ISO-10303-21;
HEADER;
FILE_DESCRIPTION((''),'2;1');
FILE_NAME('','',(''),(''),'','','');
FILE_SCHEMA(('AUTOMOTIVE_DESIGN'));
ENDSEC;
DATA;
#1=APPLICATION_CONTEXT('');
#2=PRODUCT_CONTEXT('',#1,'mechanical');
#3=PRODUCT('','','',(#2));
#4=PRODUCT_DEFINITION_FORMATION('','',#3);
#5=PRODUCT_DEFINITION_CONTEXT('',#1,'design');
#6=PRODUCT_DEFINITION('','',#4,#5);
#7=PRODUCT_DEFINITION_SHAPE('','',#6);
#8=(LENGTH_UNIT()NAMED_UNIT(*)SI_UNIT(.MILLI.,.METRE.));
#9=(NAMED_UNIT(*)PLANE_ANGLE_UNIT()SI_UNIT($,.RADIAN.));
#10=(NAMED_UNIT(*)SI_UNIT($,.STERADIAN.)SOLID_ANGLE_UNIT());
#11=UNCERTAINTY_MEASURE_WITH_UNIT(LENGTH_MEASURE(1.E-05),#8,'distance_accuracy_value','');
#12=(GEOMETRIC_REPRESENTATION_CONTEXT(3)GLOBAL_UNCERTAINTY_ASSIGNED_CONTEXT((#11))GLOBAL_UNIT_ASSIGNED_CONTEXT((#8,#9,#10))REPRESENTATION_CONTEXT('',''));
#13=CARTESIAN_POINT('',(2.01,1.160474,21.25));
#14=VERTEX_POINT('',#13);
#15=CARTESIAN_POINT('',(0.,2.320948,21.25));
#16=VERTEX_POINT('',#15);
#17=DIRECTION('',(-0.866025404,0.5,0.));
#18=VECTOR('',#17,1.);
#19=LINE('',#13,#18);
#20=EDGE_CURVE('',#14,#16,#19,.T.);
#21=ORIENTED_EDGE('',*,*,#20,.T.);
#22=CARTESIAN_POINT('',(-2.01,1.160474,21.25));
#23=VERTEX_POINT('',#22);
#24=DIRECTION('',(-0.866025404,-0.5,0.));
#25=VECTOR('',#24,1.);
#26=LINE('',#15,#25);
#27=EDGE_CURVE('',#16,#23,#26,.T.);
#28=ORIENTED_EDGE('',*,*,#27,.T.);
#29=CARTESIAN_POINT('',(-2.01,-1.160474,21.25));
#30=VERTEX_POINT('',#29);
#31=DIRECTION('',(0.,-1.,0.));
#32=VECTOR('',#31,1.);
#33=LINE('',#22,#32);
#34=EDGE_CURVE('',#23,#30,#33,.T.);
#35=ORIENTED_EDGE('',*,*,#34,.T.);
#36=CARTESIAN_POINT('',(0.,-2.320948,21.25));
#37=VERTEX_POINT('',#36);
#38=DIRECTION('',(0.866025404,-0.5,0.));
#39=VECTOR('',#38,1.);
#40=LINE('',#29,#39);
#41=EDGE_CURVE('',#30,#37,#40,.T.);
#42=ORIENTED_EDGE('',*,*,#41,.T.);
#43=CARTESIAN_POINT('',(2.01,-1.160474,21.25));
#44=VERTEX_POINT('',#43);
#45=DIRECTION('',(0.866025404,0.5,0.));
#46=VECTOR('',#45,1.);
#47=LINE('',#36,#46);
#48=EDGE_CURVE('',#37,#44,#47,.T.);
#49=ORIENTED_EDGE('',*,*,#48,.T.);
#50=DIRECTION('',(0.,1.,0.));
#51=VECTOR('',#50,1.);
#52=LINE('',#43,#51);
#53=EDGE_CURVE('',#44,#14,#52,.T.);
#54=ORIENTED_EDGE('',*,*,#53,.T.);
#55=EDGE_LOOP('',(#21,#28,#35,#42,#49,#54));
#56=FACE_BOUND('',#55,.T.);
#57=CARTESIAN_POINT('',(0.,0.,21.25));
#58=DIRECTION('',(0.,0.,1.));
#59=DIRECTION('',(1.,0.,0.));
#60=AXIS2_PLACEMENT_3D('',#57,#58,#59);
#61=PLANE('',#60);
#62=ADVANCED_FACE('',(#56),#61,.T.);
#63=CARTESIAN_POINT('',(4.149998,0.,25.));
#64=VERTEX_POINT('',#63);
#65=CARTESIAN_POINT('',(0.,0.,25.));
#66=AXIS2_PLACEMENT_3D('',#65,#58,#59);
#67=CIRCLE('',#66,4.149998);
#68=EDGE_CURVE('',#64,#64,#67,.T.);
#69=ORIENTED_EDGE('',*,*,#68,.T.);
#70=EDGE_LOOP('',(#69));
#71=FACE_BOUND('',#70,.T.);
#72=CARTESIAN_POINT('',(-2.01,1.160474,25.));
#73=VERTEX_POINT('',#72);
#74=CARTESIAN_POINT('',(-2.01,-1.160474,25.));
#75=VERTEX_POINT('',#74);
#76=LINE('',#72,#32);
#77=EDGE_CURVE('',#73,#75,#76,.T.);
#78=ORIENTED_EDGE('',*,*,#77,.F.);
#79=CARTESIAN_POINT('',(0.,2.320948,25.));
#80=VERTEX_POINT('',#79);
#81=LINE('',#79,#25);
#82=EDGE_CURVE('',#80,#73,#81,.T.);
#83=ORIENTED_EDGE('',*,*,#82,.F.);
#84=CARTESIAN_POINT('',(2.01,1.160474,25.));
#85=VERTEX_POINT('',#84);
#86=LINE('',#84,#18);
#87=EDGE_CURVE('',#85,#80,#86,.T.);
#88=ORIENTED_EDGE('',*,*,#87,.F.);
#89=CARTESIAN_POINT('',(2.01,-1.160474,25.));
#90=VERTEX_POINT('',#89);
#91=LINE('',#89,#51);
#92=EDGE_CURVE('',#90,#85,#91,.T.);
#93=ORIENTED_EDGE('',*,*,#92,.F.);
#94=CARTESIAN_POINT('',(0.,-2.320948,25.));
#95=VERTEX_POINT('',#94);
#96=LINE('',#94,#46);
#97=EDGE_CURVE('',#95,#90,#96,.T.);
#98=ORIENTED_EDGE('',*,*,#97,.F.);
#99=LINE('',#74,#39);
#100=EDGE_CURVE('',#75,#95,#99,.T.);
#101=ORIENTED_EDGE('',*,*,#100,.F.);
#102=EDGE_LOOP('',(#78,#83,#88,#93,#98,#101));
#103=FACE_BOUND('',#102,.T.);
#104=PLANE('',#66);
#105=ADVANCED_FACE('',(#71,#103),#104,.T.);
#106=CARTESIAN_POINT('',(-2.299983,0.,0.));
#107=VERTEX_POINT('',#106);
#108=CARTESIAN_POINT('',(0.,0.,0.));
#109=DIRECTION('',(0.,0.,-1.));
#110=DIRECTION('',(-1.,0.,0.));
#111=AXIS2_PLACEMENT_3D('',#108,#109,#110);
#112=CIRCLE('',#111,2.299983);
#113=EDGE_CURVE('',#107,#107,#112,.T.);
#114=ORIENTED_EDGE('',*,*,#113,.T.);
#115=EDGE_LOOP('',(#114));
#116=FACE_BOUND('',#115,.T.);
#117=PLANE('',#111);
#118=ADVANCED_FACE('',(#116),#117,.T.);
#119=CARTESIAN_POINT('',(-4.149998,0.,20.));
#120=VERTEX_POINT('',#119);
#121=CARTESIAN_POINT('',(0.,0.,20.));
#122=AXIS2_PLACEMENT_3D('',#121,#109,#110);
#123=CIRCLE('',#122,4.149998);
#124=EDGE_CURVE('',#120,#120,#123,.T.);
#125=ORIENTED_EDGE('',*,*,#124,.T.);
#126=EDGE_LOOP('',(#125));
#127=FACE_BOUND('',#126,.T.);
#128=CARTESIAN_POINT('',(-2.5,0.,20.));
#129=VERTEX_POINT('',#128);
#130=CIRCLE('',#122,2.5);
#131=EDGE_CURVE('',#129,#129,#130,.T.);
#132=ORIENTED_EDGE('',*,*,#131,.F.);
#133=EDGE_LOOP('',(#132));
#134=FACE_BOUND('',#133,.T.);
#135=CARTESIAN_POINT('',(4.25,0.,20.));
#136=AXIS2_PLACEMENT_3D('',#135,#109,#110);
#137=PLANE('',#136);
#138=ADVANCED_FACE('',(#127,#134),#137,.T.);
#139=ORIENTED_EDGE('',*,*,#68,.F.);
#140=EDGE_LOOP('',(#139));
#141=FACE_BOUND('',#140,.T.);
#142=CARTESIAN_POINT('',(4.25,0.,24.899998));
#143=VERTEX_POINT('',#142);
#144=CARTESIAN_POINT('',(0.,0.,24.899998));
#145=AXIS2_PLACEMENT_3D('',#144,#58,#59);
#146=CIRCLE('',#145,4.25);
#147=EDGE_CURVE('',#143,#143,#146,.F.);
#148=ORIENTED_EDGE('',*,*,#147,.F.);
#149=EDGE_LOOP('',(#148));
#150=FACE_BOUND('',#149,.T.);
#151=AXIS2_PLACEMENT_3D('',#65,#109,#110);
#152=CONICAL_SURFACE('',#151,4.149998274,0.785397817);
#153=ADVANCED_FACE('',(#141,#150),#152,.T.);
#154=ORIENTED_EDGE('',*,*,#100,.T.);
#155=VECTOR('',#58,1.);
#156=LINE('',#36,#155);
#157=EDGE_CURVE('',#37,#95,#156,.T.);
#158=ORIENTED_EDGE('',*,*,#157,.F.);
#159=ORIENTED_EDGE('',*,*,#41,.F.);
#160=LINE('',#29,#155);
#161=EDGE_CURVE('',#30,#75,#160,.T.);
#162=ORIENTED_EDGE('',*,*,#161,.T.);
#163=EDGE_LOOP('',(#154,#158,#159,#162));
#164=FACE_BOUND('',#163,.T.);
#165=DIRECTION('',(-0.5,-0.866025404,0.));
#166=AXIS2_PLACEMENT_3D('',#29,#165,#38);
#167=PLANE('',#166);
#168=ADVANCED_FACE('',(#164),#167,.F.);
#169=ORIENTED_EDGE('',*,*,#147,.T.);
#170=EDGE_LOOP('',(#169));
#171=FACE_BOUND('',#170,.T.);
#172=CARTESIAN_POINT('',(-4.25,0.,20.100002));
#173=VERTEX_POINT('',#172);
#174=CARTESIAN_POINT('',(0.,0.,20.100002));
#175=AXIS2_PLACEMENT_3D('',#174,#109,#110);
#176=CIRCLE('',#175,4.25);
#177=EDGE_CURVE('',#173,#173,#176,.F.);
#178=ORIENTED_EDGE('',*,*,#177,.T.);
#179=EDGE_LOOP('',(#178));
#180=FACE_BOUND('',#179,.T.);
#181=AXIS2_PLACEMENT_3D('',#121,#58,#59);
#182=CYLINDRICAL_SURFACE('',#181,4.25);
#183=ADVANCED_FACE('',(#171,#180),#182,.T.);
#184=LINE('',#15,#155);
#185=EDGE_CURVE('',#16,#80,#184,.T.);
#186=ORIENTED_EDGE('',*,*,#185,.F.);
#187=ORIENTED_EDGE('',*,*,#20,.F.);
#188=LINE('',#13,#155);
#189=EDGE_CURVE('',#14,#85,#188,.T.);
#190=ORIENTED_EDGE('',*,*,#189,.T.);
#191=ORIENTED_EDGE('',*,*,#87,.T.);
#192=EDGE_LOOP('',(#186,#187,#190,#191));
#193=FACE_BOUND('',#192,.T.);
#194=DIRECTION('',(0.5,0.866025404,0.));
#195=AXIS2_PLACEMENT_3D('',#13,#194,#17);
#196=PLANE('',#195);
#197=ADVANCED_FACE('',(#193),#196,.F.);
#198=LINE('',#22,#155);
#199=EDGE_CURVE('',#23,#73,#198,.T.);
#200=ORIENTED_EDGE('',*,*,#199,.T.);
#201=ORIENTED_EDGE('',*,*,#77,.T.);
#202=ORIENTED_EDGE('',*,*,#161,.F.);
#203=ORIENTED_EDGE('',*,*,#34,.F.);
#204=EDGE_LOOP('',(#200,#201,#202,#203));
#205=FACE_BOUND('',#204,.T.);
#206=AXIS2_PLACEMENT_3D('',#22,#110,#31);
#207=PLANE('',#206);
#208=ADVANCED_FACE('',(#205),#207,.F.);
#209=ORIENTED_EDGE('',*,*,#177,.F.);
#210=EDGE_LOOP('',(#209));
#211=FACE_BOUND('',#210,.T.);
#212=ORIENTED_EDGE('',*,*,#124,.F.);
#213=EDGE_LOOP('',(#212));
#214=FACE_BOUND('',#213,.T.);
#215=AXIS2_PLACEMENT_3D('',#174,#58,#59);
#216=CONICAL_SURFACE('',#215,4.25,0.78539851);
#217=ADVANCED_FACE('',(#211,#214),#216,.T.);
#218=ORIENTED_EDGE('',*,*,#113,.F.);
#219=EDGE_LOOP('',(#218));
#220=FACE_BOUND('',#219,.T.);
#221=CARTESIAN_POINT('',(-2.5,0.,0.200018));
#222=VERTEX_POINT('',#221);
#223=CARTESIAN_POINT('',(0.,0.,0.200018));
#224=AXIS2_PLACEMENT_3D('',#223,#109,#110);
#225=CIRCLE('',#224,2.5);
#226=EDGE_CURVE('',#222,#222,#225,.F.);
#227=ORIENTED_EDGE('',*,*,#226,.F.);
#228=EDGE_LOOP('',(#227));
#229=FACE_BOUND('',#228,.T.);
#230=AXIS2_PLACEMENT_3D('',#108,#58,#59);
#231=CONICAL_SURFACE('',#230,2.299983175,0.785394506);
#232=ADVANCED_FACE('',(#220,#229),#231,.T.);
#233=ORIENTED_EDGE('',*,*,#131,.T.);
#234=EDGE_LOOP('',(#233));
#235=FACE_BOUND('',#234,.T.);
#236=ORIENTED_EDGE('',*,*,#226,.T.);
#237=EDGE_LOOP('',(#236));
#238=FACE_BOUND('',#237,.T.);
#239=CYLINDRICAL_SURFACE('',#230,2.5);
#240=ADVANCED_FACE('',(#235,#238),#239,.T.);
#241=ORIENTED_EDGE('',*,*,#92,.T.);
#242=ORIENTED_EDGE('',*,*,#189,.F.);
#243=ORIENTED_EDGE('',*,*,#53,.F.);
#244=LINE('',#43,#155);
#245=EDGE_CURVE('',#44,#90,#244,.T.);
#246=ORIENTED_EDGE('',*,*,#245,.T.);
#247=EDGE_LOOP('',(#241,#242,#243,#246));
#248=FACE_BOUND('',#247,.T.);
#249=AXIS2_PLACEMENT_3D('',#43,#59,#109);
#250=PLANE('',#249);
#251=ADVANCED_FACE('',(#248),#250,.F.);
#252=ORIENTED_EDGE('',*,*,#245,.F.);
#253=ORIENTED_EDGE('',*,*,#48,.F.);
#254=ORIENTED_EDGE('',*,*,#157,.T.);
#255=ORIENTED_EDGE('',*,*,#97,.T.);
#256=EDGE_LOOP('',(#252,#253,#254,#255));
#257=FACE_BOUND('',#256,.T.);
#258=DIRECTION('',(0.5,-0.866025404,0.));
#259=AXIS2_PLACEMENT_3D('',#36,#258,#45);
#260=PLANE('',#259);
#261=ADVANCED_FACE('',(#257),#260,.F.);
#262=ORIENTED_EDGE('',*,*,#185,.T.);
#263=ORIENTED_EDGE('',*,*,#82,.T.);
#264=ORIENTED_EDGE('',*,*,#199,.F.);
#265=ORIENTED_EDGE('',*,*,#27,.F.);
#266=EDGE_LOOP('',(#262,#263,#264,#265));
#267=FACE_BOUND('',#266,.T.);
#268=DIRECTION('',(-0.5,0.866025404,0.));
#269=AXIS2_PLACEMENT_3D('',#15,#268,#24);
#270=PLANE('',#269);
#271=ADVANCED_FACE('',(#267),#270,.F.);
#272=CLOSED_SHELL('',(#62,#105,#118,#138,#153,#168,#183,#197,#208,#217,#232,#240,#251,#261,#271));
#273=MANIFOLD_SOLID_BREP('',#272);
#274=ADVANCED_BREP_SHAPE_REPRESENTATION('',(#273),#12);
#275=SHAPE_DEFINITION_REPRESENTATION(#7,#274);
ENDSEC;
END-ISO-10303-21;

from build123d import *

# Parameters (mm, degrees)
SKETCH_1_W          = 4.25
SKETCH_1_H          = 5
SKETCH_2_R          = 2.5
EXTRUDE_1_DEPTH     = 20
CUT_EXTRUDE_1_DEPTH = 3.75
CHAMFER_1_SIZE2     = 0.100001795
CHAMFER_1_SIZE      = 0.100001726
CHAMFER_2_SIZE      = 0.200016825
CHAMFER_2_SIZE2     = 0.200018288


with BuildPart() as part:
    # 草图1 → 旋转1 (revolve)
    with BuildSketch(Plane(origin=(0, 0, 0), x_dir=(1, 0, 0), z_dir=(0, 1, 0))):
        with Locations((2.125, -22.5)):
            Rectangle(SKETCH_1_W, SKETCH_1_H)
    revolve(axis=Axis((0, 0, 20), (0, 0, 1)))

    # 草图2 → 凸台-拉伸1 (add)
    with BuildSketch(Plane(origin=(0, 0, 20), x_dir=(-1, 0, 0), z_dir=(0, 0, -1))):
        Circle(SKETCH_2_R)
    extrude(amount=EXTRUDE_1_DEPTH)

    # 草图3 → 切除-拉伸1 (cut)
    with BuildSketch(Plane.XY.offset(25)):
        Polygon((-2.01, -1.160474041), (0, -2.320948082), (2.01, -1.160474041), (2.01, 1.160474041), (0, 2.320948082), (-2.01, 1.160474041), align=None)
    extrude(amount=-CUT_EXTRUDE_1_DEPTH, mode=Mode.SUBTRACT)

    # 倒角1
    chamfer_1_edges = [part.edges().sort_by_distance(p)[0] for p in [
        (-4.25, 0, 25),
        (-4.25, 0, 20),
    ]]
    chamfer(chamfer_1_edges, length=CHAMFER_1_SIZE, length2=CHAMFER_1_SIZE2)

    # 倒角2
    chamfer_2_edges = [part.edges().sort_by_distance(p)[0] for p in [
        (2.5, 0, 0),
    ]]
    chamfer_2_side = [part.faces().sort_by_distance(p)[0] for p in [
        (2.5, 0, 10),
    ]]
    chamfer(chamfer_2_edges, length=CHAMFER_2_SIZE, length2=CHAMFER_2_SIZE2, reference=chamfer_2_side[0])


solid = part.part
